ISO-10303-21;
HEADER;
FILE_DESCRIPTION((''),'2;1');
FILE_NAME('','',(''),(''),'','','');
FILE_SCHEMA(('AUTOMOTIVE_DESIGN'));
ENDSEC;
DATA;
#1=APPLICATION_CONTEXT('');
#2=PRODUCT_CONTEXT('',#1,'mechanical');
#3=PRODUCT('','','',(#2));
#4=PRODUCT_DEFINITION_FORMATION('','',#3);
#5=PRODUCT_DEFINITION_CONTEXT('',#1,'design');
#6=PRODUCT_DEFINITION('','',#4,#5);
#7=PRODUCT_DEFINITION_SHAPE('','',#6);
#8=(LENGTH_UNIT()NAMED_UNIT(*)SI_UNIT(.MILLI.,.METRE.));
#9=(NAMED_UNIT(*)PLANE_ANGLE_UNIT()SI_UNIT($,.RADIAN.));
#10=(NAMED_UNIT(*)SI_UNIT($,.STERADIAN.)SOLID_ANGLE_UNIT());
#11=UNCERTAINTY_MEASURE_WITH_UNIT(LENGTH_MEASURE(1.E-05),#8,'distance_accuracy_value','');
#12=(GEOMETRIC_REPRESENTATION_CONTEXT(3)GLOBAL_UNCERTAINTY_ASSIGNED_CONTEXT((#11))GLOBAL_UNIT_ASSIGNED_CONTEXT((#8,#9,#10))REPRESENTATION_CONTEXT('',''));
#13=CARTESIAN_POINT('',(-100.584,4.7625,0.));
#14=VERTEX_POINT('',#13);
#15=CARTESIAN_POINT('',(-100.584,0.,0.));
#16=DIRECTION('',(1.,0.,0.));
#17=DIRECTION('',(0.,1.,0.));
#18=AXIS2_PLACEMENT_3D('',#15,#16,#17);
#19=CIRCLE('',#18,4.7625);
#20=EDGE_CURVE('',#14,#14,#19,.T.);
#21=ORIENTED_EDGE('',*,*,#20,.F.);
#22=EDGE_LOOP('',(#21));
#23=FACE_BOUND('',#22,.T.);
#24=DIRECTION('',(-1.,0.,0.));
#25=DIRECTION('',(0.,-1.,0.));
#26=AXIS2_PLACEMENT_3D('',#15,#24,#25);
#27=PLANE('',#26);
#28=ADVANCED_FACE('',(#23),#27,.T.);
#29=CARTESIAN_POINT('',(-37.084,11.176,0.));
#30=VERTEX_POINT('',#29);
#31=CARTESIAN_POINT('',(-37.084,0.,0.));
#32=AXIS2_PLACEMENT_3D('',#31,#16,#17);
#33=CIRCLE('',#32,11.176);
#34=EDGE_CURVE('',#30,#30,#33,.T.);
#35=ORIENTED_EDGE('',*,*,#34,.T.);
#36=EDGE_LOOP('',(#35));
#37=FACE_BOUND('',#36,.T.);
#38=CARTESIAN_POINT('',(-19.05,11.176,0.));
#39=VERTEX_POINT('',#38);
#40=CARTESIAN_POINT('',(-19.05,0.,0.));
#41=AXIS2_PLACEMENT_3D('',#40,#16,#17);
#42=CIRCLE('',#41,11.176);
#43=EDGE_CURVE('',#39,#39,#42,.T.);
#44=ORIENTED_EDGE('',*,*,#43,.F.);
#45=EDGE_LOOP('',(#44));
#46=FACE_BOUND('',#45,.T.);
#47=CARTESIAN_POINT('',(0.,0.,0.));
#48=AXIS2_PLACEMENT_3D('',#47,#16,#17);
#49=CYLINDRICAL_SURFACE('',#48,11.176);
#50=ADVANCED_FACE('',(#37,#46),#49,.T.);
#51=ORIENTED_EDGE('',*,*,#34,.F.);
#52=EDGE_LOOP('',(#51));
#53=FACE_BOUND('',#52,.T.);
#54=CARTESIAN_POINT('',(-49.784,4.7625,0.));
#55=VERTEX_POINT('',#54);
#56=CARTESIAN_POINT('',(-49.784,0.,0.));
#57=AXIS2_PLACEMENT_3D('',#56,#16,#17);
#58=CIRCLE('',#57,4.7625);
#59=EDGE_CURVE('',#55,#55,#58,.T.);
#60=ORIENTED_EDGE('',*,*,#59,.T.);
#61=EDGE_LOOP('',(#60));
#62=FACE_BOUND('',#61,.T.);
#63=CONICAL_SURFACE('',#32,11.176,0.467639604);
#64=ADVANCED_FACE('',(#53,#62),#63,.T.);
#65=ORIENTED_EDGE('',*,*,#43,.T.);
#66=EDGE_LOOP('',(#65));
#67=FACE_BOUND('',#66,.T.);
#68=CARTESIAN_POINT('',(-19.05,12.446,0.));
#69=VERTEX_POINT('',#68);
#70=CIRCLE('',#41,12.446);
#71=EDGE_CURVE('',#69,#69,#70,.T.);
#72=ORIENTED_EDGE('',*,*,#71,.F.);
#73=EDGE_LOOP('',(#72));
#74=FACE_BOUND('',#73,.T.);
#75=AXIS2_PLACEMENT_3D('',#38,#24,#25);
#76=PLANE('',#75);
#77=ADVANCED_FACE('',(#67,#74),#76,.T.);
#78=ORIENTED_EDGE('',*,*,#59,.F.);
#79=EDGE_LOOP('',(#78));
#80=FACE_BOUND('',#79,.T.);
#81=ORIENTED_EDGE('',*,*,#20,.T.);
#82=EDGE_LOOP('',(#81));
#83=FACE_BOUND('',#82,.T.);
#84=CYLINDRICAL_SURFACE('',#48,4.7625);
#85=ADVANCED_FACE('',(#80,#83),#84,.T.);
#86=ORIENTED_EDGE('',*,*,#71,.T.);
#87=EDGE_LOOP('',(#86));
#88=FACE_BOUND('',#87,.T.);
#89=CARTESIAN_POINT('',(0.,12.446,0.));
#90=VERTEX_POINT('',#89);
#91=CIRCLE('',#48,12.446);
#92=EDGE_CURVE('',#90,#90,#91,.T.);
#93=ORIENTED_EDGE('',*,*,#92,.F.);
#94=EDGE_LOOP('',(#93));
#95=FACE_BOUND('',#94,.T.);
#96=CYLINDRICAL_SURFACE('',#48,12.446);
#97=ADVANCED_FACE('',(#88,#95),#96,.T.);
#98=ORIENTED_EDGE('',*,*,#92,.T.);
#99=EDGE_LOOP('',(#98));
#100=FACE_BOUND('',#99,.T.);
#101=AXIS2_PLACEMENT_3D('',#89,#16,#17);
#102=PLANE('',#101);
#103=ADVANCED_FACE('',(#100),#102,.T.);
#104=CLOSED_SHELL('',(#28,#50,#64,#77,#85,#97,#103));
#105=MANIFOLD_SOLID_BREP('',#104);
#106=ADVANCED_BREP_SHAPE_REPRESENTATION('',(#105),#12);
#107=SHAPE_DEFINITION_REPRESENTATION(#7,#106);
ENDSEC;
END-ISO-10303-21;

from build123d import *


with BuildPart() as part:
    # Sketch1 → Revolve1 (revolve)
    with BuildSketch(Plane.XY):
        Polygon((0, 0), (-100.584, 0), (-100.584, 4.7625), (-49.784, 4.7625), (-37.084, 11.176), (-19.05, 11.176), (-19.05, 12.446), (0, 12.446), align=None)
    revolve(axis=Axis((0, 0, 0), (-1, 0, 0)))


solid = part.part
